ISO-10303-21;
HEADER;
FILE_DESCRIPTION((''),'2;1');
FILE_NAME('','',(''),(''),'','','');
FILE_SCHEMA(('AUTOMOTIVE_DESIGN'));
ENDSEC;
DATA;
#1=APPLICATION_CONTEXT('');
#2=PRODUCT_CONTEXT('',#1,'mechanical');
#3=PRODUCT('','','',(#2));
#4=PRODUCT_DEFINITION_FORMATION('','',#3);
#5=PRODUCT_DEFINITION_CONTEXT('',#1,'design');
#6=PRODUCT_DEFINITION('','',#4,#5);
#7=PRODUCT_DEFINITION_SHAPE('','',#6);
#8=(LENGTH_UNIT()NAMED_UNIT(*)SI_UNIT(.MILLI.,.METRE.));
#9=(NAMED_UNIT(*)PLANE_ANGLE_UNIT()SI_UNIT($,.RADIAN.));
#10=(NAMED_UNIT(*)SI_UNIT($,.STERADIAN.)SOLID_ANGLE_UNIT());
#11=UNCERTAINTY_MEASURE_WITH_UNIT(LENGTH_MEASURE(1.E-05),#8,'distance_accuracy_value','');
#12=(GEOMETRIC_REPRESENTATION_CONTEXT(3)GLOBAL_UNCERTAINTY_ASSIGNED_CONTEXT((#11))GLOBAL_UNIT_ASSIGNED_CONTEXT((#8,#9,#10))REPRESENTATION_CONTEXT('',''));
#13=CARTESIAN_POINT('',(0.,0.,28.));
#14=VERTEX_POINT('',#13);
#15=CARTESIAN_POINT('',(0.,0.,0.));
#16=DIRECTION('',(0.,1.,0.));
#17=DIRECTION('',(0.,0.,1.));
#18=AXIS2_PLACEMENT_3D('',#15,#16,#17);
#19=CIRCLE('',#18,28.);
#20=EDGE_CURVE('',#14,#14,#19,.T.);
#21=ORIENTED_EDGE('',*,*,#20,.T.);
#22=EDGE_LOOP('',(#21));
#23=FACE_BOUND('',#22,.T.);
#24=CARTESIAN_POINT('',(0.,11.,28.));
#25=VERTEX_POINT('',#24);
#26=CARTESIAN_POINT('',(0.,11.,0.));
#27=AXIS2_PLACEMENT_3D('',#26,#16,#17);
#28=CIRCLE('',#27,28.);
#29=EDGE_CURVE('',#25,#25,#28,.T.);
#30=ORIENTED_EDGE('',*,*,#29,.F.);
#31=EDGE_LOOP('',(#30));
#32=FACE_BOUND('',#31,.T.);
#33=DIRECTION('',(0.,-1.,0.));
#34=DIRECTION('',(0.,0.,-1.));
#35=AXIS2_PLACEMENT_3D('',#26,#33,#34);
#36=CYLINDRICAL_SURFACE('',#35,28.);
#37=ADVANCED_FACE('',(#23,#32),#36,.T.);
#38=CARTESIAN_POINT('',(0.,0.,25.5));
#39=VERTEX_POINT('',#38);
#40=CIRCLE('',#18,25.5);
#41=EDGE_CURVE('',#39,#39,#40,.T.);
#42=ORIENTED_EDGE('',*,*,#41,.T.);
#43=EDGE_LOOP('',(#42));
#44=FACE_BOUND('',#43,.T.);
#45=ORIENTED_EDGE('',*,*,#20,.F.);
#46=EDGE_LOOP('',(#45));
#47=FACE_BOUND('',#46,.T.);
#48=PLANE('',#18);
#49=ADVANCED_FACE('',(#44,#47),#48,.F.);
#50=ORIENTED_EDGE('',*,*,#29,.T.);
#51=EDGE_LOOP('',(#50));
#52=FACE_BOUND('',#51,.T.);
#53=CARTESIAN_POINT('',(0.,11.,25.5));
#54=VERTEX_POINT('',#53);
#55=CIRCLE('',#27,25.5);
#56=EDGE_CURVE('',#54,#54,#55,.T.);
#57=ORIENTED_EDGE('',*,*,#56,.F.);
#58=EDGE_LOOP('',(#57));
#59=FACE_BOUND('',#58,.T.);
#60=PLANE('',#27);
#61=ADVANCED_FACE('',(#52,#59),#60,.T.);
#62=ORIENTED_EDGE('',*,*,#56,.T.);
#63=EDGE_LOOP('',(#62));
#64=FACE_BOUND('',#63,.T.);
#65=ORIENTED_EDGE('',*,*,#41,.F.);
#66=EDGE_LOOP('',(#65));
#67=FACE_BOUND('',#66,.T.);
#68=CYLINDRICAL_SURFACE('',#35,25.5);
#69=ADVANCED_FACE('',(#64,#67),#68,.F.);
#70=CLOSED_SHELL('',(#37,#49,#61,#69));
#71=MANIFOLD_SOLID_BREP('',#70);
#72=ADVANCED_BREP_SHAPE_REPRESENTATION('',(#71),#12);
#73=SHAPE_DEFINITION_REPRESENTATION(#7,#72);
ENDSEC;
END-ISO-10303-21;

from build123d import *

# Parameters (mm, degrees)
SKETCH_1_R      = 28
SKETCH_1_R_2    = 25.5
EXTRUDE_1_DEPTH = 11


with BuildPart() as part:
    # 草图1 → 凸台-拉伸1 (new body)
    with BuildSketch(Plane(origin=(0, 0, 0), x_dir=(1, 0, 0), z_dir=(0, 1, 0))):
        with Locations(Location((0, 0, 0), (0, 0, 270))):  # turned: the seam where the file's is
            Circle(SKETCH_1_R)
        with Locations(Location((0, 0, 0), (0, 0, 270))):  # turned: the seam where the file's is
            Circle(SKETCH_1_R_2, mode=Mode.SUBTRACT)
    extrude(amount=EXTRUDE_1_DEPTH)


solid = part.part
